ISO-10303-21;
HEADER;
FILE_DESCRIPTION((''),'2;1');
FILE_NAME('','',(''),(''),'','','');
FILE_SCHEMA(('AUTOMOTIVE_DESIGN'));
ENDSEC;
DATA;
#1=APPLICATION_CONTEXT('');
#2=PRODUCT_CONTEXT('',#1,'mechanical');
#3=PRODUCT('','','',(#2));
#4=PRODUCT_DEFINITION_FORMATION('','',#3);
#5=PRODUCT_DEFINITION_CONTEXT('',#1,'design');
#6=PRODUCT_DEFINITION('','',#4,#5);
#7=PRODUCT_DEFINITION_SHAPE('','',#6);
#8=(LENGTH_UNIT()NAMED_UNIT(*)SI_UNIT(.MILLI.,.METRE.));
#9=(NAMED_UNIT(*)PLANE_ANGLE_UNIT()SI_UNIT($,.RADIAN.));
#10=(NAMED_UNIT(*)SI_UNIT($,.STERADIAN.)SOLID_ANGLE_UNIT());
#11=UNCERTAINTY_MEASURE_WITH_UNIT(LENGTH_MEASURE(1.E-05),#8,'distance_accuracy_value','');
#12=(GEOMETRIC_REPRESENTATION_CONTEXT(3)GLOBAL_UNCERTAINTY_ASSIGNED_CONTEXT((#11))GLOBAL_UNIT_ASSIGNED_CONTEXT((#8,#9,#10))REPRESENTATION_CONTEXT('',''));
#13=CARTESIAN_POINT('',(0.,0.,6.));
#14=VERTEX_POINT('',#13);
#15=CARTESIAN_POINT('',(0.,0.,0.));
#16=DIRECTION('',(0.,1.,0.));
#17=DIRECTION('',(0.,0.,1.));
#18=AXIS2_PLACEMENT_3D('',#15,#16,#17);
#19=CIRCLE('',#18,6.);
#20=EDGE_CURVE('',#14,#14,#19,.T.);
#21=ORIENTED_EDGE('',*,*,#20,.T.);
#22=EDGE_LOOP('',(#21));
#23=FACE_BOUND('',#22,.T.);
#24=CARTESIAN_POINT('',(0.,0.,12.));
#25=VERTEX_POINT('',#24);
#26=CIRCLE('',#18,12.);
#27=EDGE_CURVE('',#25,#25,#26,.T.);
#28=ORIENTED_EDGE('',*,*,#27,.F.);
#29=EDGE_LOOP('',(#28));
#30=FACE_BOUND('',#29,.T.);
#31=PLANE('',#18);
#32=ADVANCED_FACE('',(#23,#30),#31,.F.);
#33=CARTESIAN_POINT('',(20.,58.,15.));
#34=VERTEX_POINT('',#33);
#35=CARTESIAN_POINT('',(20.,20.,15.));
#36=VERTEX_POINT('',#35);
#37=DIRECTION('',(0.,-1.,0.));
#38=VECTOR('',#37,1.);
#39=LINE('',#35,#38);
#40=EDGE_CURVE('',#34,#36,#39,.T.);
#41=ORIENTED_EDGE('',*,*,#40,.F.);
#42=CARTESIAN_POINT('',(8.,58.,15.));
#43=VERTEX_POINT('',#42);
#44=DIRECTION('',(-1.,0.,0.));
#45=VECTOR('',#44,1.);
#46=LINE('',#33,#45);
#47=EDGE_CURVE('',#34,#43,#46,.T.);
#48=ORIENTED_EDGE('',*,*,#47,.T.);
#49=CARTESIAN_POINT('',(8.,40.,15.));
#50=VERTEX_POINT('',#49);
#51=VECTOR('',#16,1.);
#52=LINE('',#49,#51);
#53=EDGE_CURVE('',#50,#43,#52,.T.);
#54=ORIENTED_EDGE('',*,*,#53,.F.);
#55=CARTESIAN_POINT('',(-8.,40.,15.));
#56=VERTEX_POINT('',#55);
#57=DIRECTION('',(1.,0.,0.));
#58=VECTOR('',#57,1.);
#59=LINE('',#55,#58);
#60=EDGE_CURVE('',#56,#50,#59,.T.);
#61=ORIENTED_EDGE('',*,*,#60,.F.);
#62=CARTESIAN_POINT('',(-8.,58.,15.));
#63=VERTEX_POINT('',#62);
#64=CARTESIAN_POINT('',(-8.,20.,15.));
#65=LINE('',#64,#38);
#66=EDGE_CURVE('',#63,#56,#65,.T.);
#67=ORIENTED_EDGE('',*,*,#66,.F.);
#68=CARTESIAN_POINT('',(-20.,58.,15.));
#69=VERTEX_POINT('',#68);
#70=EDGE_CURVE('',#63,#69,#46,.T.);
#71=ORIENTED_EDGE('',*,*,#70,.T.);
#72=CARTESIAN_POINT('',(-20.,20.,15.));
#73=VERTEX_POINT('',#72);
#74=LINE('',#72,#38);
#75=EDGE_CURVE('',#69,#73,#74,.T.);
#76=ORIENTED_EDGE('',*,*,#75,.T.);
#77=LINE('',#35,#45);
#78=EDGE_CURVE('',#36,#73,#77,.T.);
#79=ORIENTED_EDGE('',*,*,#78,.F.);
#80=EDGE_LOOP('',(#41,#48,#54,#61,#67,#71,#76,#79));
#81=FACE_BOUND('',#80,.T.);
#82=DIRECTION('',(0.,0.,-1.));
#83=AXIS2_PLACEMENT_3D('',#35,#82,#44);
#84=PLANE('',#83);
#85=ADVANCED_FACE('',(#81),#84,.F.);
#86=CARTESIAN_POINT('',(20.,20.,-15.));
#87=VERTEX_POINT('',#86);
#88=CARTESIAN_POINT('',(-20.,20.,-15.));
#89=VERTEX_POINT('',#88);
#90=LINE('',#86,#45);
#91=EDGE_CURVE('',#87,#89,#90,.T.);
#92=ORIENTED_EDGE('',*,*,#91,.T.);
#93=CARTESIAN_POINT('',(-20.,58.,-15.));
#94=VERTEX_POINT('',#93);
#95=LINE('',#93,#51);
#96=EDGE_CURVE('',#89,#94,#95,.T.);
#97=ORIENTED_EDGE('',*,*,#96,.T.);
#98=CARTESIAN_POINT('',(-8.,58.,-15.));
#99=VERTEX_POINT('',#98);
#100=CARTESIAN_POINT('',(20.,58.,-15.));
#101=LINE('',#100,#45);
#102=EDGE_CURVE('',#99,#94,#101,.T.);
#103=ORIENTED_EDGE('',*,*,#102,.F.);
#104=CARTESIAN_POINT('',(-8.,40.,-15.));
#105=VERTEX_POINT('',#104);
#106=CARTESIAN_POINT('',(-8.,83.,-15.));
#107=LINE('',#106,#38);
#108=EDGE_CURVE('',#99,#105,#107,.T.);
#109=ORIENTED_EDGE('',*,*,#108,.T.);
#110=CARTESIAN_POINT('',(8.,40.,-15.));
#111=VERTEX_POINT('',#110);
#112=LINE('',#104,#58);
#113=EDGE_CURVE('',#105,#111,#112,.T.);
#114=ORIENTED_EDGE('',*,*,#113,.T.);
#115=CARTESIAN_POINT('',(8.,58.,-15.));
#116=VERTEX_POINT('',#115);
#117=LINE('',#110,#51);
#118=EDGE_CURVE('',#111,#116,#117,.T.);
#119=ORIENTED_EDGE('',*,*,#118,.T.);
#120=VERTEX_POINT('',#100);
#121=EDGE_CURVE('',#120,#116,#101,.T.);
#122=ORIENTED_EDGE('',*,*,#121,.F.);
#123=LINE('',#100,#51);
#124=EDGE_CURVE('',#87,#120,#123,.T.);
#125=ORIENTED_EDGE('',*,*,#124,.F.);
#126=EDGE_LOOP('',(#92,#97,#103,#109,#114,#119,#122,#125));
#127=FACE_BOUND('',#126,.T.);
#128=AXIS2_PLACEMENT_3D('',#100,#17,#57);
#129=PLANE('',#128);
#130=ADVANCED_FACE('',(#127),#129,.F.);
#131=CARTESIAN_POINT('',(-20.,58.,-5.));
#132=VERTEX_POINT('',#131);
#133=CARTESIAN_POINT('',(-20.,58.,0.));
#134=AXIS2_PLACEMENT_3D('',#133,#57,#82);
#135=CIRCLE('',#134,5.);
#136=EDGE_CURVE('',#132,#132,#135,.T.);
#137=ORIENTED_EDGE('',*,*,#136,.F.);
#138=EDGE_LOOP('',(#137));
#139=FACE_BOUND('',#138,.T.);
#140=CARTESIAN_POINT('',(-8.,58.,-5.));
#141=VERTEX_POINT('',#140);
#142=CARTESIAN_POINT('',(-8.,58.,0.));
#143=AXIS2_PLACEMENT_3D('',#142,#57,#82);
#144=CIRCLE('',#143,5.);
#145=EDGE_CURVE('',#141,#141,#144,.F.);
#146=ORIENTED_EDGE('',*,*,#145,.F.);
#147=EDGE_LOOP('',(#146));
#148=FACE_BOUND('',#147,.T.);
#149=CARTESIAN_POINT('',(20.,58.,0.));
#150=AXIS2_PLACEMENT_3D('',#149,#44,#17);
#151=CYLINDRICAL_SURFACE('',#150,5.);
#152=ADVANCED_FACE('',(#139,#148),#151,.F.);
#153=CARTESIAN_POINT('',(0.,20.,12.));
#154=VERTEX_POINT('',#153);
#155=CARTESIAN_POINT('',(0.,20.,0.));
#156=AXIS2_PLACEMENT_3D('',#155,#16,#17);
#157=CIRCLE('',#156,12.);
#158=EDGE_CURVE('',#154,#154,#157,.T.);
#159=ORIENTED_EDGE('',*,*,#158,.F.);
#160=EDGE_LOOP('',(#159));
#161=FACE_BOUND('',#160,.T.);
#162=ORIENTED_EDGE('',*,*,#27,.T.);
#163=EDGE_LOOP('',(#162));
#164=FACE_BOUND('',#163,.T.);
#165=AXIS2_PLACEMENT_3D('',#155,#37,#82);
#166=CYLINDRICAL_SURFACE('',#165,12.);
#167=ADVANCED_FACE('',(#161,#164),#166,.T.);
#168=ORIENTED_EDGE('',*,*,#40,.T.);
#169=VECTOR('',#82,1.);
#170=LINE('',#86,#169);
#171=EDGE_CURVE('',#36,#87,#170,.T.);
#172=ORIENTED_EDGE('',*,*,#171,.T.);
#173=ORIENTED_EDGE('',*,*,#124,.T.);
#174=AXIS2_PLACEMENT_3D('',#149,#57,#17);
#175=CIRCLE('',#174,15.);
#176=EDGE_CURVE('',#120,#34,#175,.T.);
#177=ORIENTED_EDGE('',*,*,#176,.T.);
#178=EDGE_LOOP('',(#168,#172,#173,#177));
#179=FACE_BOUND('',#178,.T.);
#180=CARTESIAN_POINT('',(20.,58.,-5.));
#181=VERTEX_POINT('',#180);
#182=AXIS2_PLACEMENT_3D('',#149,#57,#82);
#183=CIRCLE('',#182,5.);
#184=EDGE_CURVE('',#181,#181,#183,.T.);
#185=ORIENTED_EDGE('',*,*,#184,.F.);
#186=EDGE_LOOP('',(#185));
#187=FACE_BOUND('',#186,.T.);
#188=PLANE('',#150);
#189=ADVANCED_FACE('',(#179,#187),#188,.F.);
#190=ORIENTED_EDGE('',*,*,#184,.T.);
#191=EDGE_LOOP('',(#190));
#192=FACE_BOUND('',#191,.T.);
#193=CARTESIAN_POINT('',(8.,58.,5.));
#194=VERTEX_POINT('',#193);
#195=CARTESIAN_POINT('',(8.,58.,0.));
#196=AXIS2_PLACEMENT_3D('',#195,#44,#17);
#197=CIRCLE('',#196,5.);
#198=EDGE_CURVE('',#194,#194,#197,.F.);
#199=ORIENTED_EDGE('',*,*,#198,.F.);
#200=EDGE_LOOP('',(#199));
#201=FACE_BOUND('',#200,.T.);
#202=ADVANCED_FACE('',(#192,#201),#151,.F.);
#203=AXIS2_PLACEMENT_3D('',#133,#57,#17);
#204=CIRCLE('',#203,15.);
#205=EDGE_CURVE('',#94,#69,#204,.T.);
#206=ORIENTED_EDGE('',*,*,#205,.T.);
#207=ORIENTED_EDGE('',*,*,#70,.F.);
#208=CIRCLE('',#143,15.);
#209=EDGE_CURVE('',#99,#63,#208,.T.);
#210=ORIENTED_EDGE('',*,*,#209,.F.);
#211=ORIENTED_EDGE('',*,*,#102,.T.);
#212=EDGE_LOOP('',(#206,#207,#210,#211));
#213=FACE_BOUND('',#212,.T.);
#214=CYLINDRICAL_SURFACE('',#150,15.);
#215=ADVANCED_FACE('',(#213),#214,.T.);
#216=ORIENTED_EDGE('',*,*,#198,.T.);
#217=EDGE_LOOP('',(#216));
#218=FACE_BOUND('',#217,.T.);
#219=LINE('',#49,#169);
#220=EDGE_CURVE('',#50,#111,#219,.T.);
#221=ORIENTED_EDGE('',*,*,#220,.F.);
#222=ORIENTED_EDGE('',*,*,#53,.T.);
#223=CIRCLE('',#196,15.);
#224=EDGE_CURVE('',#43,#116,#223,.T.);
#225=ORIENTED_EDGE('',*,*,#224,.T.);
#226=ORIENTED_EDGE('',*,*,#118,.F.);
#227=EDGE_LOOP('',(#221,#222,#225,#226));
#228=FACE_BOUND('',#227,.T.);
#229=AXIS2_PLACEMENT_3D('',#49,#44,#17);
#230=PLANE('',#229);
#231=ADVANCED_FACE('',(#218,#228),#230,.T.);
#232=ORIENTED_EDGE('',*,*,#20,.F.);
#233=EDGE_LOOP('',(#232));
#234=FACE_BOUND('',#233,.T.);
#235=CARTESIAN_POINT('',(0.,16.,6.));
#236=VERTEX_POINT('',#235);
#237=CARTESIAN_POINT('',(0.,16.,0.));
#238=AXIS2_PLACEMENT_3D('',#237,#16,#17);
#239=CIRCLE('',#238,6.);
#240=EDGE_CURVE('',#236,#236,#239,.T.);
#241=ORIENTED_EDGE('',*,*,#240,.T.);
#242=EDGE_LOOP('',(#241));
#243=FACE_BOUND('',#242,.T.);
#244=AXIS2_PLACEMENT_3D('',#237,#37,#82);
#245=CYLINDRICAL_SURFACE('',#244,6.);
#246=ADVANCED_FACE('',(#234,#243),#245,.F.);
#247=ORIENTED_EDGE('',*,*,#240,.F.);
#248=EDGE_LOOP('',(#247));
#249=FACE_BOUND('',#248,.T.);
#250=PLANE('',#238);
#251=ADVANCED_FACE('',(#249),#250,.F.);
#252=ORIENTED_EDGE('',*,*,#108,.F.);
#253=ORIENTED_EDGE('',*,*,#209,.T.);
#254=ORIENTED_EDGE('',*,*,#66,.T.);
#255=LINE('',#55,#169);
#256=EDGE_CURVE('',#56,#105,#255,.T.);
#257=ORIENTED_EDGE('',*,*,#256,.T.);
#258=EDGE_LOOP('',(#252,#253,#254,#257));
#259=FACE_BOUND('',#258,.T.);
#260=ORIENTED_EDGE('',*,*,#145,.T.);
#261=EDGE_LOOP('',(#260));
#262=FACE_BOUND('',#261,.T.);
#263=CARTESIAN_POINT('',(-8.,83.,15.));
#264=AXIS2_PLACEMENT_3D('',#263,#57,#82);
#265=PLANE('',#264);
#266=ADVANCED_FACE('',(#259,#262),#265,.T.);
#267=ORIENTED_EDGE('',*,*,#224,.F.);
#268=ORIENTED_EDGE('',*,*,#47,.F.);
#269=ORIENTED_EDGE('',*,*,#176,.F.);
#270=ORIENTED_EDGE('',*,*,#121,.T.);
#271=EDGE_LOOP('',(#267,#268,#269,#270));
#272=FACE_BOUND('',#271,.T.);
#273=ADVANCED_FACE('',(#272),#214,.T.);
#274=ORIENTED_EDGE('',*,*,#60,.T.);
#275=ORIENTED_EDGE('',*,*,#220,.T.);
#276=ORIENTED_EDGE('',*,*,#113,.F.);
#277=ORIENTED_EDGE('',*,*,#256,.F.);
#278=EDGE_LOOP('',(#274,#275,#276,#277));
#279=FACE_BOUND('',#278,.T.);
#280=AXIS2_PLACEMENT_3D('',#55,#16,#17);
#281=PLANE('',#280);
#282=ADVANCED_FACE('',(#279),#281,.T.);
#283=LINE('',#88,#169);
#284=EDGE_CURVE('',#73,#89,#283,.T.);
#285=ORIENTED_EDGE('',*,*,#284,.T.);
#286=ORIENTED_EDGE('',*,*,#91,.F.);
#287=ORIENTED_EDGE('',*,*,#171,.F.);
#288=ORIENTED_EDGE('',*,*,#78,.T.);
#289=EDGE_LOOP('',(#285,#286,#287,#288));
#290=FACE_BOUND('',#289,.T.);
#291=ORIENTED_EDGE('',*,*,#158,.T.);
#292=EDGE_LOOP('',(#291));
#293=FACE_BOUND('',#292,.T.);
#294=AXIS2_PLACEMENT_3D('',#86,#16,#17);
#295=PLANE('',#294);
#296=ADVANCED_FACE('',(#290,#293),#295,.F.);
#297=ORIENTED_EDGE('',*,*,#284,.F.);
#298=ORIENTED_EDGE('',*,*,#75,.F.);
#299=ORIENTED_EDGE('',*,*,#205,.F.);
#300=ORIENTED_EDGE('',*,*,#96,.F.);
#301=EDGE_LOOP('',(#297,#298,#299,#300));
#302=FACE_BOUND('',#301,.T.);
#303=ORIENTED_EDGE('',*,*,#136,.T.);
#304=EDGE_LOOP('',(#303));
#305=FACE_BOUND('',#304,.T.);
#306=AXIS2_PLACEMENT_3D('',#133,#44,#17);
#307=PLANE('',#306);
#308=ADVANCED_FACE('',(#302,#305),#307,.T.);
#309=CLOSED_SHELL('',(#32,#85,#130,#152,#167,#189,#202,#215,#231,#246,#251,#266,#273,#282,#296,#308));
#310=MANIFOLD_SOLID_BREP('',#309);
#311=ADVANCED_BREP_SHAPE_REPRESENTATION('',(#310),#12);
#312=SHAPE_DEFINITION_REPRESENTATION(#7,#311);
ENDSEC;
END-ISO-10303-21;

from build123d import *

# Parameters (mm, degrees)
EXTRUDE_1_DEPTH     = 40
SKETCH_2_R          = 12
EXTRUDE_2_DEPTH     = 20
SKETCH_3_W          = 16
SKETCH_3_H          = 43
CUT_EXTRUDE_1_DEPTH = 30
SKETCH_4_R          = 5
CUT_EXTRUDE_2_DEPTH = 85.581321815
SKETCH_5_R          = 6
CUT_EXTRUDE_3_DEPTH = 16


with BuildPart() as part:
    # 草图1 → 凸台-拉伸1 (new body)
    with BuildSketch(Plane(origin=(-20, 0, 0), x_dir=(0, 0, -1), z_dir=(1, 0, 0))):
        with BuildLine():
            Line((15, 20), (-15, 20))
            Line((-15, 20), (-15, 58))
            ThreePointArc((-15, 58), (0, 73), (15, 58))
            Line((15, 58), (15, 20))
        make_face()
    extrude(amount=EXTRUDE_1_DEPTH)

    # 草图2 → 凸台-拉伸2 (add)
    with BuildSketch(Plane(origin=(0, 0, 0), x_dir=(1, 0, 0), z_dir=(0, 1, 0))):
        with Locations(Location((0, 0, 0), (0, 0, 270))):
            Circle(SKETCH_2_R)
    extrude(amount=EXTRUDE_2_DEPTH)

    # 草图3 → 切除-拉伸1 (cut)
    with BuildSketch(Plane.XY.offset(-15)):
        with Locations((0, 61.5)):
            Rectangle(SKETCH_3_W, SKETCH_3_H)
    extrude(amount=CUT_EXTRUDE_1_DEPTH, mode=Mode.SUBTRACT)

    # 草图4 → 切除-拉伸2 (cut, through all)
    with BuildSketch(Plane(origin=(-20, 0, 0), x_dir=(0, 0, -1), z_dir=(1, 0, 0))):
        with Locations(Location((0, 58, 0), (0, 0, 180))):
            Circle(SKETCH_4_R)
    extrude(amount=CUT_EXTRUDE_2_DEPTH, mode=Mode.SUBTRACT)

    # 草图5 → 切除-拉伸3 (cut)
    with BuildSketch(Plane(origin=(0, 0, 0), x_dir=(1, 0, 0), z_dir=(0, 1, 0))):
        with Locations(Location((0, 0, 0), (0, 0, 270))):
            Circle(SKETCH_5_R)
    extrude(amount=CUT_EXTRUDE_3_DEPTH, mode=Mode.SUBTRACT)


solid = part.part
